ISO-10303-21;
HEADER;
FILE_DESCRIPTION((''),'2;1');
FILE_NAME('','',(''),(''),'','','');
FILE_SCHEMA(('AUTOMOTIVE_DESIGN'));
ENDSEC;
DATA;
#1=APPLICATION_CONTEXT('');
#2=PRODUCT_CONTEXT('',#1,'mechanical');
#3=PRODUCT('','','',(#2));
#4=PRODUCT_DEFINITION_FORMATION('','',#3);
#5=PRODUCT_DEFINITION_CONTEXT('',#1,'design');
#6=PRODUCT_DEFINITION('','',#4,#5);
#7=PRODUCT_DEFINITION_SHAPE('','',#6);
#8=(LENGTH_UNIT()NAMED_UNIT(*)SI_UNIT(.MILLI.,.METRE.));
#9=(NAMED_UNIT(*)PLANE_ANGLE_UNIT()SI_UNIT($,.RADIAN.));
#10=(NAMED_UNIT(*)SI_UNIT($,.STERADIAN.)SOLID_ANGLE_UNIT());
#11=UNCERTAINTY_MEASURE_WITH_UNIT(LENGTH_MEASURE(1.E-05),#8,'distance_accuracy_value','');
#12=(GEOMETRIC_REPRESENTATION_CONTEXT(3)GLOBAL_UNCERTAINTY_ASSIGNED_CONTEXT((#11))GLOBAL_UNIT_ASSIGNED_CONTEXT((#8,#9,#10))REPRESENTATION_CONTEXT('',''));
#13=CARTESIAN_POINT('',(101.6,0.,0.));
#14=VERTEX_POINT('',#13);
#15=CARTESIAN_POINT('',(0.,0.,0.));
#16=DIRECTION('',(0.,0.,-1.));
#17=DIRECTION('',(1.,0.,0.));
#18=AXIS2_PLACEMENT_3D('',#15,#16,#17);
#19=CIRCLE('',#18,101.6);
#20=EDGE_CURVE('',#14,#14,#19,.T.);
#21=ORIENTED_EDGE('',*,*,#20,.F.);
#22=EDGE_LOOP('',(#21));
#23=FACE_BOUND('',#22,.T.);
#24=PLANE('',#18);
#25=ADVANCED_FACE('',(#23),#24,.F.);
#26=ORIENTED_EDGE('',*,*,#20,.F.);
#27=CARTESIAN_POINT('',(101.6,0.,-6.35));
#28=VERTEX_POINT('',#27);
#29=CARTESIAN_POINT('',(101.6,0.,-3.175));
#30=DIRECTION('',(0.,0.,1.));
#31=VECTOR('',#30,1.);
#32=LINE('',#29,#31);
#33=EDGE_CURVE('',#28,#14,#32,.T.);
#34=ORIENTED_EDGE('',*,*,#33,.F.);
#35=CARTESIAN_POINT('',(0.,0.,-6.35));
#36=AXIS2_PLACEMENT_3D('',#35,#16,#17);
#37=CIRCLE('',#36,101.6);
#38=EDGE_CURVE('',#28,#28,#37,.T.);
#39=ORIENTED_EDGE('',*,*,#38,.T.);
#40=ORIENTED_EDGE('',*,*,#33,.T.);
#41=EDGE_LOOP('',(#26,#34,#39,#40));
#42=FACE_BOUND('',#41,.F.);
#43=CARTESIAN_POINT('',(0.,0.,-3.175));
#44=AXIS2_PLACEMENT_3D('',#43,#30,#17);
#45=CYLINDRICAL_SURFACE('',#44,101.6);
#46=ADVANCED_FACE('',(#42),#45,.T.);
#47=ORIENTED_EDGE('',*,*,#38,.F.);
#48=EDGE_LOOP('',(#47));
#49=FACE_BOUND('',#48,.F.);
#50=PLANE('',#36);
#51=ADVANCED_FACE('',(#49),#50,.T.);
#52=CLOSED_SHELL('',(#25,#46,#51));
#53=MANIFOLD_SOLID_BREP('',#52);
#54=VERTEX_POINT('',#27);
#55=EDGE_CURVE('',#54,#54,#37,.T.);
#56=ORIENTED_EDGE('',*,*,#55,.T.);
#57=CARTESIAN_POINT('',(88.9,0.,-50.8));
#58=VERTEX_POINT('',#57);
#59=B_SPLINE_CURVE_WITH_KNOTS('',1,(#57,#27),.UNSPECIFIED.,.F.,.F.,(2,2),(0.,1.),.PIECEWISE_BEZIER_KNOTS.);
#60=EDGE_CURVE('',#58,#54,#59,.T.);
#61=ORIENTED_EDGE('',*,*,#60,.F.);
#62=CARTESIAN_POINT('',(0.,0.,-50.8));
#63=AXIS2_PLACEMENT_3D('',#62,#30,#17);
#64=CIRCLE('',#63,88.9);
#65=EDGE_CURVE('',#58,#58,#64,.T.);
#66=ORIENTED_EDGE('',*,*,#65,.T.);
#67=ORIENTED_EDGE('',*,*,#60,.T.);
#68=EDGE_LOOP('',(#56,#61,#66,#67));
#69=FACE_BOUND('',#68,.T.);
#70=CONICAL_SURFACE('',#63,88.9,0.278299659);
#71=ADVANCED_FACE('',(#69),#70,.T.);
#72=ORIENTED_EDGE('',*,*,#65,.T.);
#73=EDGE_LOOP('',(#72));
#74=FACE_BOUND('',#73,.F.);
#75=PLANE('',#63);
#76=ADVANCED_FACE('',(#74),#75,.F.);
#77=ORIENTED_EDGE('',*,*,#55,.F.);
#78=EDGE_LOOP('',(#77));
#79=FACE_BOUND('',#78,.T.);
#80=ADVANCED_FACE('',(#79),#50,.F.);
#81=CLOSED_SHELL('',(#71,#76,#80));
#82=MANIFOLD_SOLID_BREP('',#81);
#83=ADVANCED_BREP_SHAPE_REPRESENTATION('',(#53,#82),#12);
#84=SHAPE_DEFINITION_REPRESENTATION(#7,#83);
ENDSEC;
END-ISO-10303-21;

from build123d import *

# Parameters (mm, degrees)
F0_W      = 101.6
F0_H      = 6.35
F2_W      = 88.9
F2_H      = 8.930966
F3_FACE_R = 88.9
F1_FACE_R = 101.6


with BuildPart() as f1:
    # F0 (on Front) → F1 (revolve)
    with BuildSketch(Plane.XZ):
        with Locations((50.8, -3.175)):
            Rectangle(F0_W, F0_H)
    revolve(axis=Axis((0, 0, -3.175), (0, 0, -1)))


with BuildPart() as f3:
    # F2 (on Front) → F3 (revolve)
    with BuildSketch(Plane.XZ):
        with Locations((44.45, -55.265483)):
            Rectangle(F2_W, F2_H)
    revolve(axis=Axis((0, 0, -55.265483), (0, 0, 1)))


with BuildPart() as f4:
    # F3_face (on face) → F4 section 0
    with BuildSketch(Plane.XY.offset(-50.8)):
        Circle(F3_FACE_R)
    # F1_face (on face) → F4 section 1
    with BuildSketch(Plane(origin=(0, 0, -6.35), x_dir=(1, 0, 0), z_dir=(0, 0, -1))):
        Circle(F1_FACE_R)
    loft()


solid = Compound([f1.part, f4.part])
